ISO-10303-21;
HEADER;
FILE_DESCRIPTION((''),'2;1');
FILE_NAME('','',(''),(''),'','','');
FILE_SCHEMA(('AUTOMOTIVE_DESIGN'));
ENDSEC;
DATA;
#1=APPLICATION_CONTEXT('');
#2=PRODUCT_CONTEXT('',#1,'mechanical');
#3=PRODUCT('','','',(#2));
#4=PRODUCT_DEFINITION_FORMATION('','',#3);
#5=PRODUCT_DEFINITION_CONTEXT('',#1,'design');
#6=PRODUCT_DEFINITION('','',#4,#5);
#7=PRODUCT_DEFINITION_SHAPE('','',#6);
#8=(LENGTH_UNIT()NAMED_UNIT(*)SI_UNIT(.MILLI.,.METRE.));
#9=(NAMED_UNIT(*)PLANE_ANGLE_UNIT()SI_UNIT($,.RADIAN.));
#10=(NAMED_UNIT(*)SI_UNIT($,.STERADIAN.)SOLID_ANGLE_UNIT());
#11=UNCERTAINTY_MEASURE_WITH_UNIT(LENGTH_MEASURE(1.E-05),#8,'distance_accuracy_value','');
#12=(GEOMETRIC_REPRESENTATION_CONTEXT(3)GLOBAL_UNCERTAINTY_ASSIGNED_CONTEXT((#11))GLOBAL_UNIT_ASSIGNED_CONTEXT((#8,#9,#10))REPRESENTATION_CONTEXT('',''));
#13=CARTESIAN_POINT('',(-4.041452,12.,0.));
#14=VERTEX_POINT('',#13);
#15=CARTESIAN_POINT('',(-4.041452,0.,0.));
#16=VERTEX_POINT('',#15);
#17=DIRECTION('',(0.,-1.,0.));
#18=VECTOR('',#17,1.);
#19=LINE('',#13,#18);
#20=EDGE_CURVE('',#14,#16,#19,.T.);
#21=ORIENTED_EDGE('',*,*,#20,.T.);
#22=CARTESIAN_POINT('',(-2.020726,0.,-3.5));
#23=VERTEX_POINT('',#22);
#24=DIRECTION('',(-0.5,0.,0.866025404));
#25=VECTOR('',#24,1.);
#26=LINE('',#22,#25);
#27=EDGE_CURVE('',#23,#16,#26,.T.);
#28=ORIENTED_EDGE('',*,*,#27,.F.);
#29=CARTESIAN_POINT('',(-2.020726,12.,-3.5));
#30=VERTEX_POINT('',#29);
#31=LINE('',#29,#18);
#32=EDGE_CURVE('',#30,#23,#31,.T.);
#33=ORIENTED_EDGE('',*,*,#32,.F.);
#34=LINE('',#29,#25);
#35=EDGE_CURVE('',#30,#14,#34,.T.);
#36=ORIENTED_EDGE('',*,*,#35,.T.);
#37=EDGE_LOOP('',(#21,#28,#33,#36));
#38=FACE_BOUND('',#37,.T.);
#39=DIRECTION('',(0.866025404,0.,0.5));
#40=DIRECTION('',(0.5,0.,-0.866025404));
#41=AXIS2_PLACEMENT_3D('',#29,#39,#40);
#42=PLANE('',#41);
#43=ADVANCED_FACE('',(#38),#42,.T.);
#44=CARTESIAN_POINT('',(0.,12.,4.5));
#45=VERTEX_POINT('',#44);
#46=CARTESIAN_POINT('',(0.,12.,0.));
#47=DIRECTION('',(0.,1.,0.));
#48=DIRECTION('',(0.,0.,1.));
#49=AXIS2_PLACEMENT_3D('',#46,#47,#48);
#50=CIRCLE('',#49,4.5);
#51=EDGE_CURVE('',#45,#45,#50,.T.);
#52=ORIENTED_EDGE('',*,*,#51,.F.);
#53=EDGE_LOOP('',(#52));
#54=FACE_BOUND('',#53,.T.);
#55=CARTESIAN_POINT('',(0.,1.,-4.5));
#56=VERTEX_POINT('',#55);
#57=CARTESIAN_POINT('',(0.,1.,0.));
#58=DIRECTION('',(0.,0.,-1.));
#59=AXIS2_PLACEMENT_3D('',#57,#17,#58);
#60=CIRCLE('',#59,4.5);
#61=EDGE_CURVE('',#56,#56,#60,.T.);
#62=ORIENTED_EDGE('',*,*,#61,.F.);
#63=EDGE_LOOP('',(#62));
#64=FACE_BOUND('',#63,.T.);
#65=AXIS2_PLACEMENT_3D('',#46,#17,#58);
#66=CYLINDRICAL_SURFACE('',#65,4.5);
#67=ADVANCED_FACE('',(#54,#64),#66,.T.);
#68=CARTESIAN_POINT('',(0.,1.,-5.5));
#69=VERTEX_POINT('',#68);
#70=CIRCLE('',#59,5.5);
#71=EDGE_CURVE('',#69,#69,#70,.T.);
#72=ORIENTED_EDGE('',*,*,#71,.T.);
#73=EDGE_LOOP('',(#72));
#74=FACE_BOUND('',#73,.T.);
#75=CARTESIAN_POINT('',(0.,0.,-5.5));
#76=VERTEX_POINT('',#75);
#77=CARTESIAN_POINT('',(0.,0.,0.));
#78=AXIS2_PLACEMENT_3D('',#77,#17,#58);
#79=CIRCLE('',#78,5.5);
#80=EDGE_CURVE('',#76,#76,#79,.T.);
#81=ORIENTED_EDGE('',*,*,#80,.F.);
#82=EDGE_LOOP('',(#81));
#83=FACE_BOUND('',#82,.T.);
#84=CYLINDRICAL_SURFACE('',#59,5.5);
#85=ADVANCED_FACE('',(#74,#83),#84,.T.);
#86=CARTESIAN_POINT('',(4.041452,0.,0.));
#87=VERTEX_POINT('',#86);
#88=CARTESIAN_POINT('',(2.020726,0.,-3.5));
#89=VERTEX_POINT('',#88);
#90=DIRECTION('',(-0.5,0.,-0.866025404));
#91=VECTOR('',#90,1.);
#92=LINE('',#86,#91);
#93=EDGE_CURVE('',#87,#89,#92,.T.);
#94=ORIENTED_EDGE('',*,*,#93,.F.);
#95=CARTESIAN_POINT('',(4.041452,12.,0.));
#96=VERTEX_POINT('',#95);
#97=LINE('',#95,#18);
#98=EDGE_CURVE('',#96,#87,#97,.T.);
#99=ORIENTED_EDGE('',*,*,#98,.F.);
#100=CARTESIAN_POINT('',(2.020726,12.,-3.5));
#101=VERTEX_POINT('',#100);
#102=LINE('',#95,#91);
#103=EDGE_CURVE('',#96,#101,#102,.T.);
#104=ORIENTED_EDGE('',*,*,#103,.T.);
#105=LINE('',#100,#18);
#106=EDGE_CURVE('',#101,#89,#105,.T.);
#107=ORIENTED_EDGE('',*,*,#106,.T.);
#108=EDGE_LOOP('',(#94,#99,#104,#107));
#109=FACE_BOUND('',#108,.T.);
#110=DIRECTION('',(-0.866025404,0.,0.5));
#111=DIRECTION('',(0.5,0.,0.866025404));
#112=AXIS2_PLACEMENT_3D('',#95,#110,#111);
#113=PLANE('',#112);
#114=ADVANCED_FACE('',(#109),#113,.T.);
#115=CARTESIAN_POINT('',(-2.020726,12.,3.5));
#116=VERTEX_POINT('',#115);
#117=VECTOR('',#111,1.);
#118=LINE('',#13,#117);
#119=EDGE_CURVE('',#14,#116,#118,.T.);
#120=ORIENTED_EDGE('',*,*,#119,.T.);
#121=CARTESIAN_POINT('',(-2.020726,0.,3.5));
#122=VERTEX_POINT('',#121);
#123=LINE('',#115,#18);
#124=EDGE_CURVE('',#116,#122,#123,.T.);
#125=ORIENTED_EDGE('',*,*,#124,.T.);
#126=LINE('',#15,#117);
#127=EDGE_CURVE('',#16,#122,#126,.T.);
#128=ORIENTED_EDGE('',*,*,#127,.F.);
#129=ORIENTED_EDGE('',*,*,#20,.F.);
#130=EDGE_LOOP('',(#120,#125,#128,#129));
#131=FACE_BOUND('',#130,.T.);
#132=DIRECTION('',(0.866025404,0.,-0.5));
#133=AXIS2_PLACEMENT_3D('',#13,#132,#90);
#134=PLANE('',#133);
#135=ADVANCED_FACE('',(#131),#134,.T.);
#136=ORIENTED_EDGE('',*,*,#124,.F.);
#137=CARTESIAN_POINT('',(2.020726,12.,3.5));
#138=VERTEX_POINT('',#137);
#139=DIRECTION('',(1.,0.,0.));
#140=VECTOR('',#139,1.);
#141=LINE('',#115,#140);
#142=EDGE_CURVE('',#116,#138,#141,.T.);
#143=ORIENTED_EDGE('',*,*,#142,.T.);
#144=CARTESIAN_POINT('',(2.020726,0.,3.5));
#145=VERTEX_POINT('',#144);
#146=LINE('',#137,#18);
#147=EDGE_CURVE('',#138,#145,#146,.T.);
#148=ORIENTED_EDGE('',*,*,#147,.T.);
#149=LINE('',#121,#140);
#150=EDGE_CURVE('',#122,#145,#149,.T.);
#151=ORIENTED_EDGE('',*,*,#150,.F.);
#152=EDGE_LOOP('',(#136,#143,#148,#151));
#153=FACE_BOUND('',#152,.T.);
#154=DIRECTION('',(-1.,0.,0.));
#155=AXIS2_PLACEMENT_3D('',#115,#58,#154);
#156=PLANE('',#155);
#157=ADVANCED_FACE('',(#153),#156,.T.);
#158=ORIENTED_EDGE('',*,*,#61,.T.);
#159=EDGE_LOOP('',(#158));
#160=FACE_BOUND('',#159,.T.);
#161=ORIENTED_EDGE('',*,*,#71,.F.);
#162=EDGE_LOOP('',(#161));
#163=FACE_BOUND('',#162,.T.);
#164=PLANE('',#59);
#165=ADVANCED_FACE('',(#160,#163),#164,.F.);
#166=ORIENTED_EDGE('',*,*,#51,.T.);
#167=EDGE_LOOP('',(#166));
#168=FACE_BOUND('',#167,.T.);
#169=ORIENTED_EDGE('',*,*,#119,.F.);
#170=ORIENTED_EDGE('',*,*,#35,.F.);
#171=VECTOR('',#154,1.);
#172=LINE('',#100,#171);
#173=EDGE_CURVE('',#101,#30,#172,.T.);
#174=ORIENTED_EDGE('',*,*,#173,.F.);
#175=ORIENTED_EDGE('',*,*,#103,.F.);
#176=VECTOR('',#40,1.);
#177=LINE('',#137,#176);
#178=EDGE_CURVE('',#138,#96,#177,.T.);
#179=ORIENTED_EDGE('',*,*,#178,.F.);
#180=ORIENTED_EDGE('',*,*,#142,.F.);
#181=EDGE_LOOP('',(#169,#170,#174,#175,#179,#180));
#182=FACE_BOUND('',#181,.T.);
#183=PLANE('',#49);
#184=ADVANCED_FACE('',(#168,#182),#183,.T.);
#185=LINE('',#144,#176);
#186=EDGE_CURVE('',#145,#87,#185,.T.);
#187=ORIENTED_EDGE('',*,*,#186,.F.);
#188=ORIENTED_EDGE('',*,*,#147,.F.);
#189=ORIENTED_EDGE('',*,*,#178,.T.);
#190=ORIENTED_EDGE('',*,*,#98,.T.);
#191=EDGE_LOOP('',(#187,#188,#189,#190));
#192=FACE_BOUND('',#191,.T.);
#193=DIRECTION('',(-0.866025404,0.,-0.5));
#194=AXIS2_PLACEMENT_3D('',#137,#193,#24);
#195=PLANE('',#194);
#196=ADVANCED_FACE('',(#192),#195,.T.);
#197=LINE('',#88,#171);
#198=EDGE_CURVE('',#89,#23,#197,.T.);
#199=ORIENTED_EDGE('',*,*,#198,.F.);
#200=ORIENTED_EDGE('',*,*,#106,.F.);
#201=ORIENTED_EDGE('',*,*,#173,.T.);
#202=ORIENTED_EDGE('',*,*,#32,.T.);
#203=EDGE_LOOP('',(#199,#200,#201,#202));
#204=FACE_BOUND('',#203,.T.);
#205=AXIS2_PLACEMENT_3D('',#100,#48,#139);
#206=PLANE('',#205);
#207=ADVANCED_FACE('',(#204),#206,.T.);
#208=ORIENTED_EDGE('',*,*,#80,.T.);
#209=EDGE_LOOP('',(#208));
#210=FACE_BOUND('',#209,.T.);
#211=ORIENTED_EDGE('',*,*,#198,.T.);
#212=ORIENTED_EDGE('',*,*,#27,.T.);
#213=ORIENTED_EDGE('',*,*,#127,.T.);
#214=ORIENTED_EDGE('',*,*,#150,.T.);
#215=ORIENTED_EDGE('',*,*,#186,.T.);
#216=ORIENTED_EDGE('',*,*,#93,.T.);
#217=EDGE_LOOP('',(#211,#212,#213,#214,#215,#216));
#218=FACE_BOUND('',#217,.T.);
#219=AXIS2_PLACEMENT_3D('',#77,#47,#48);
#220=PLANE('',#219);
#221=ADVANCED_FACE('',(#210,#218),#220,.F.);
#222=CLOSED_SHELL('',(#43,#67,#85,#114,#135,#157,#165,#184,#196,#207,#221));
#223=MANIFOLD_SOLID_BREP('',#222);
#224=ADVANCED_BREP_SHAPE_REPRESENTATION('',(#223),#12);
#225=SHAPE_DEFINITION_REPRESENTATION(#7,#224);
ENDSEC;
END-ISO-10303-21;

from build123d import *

# Parameters (mm, degrees)
SKETCH2_R           = 4.5
BOSS_EXTRUDE1_DEPTH = 12
SKETCH4_R           = 5.5
SKETCH4_R_2         = 4.5
BOSS_EXTRUDE3_DEPTH = 1


with BuildPart() as part:
    # Sketch2 → Boss-Extrude1 (new body)
    with BuildSketch(Plane(origin=(0, 0, 0), x_dir=(1, 0, 0), z_dir=(0, 1, 0))):
        Circle(SKETCH2_R)
        Polygon((4.041451884, 0), (2.020725942, 3.5), (-2.020725942, 3.5), (-4.041451884, 0), (-2.020725942, -3.5), (2.020725942, -3.5), align=None, mode=Mode.SUBTRACT)
    extrude(amount=BOSS_EXTRUDE1_DEPTH)

    # Sketch4 → Boss-Extrude3 (add)
    with BuildSketch(Plane.XZ):
        Circle(SKETCH4_R)
        Circle(SKETCH4_R_2, mode=Mode.SUBTRACT)
    extrude(amount=-BOSS_EXTRUDE3_DEPTH)


solid = part.part
